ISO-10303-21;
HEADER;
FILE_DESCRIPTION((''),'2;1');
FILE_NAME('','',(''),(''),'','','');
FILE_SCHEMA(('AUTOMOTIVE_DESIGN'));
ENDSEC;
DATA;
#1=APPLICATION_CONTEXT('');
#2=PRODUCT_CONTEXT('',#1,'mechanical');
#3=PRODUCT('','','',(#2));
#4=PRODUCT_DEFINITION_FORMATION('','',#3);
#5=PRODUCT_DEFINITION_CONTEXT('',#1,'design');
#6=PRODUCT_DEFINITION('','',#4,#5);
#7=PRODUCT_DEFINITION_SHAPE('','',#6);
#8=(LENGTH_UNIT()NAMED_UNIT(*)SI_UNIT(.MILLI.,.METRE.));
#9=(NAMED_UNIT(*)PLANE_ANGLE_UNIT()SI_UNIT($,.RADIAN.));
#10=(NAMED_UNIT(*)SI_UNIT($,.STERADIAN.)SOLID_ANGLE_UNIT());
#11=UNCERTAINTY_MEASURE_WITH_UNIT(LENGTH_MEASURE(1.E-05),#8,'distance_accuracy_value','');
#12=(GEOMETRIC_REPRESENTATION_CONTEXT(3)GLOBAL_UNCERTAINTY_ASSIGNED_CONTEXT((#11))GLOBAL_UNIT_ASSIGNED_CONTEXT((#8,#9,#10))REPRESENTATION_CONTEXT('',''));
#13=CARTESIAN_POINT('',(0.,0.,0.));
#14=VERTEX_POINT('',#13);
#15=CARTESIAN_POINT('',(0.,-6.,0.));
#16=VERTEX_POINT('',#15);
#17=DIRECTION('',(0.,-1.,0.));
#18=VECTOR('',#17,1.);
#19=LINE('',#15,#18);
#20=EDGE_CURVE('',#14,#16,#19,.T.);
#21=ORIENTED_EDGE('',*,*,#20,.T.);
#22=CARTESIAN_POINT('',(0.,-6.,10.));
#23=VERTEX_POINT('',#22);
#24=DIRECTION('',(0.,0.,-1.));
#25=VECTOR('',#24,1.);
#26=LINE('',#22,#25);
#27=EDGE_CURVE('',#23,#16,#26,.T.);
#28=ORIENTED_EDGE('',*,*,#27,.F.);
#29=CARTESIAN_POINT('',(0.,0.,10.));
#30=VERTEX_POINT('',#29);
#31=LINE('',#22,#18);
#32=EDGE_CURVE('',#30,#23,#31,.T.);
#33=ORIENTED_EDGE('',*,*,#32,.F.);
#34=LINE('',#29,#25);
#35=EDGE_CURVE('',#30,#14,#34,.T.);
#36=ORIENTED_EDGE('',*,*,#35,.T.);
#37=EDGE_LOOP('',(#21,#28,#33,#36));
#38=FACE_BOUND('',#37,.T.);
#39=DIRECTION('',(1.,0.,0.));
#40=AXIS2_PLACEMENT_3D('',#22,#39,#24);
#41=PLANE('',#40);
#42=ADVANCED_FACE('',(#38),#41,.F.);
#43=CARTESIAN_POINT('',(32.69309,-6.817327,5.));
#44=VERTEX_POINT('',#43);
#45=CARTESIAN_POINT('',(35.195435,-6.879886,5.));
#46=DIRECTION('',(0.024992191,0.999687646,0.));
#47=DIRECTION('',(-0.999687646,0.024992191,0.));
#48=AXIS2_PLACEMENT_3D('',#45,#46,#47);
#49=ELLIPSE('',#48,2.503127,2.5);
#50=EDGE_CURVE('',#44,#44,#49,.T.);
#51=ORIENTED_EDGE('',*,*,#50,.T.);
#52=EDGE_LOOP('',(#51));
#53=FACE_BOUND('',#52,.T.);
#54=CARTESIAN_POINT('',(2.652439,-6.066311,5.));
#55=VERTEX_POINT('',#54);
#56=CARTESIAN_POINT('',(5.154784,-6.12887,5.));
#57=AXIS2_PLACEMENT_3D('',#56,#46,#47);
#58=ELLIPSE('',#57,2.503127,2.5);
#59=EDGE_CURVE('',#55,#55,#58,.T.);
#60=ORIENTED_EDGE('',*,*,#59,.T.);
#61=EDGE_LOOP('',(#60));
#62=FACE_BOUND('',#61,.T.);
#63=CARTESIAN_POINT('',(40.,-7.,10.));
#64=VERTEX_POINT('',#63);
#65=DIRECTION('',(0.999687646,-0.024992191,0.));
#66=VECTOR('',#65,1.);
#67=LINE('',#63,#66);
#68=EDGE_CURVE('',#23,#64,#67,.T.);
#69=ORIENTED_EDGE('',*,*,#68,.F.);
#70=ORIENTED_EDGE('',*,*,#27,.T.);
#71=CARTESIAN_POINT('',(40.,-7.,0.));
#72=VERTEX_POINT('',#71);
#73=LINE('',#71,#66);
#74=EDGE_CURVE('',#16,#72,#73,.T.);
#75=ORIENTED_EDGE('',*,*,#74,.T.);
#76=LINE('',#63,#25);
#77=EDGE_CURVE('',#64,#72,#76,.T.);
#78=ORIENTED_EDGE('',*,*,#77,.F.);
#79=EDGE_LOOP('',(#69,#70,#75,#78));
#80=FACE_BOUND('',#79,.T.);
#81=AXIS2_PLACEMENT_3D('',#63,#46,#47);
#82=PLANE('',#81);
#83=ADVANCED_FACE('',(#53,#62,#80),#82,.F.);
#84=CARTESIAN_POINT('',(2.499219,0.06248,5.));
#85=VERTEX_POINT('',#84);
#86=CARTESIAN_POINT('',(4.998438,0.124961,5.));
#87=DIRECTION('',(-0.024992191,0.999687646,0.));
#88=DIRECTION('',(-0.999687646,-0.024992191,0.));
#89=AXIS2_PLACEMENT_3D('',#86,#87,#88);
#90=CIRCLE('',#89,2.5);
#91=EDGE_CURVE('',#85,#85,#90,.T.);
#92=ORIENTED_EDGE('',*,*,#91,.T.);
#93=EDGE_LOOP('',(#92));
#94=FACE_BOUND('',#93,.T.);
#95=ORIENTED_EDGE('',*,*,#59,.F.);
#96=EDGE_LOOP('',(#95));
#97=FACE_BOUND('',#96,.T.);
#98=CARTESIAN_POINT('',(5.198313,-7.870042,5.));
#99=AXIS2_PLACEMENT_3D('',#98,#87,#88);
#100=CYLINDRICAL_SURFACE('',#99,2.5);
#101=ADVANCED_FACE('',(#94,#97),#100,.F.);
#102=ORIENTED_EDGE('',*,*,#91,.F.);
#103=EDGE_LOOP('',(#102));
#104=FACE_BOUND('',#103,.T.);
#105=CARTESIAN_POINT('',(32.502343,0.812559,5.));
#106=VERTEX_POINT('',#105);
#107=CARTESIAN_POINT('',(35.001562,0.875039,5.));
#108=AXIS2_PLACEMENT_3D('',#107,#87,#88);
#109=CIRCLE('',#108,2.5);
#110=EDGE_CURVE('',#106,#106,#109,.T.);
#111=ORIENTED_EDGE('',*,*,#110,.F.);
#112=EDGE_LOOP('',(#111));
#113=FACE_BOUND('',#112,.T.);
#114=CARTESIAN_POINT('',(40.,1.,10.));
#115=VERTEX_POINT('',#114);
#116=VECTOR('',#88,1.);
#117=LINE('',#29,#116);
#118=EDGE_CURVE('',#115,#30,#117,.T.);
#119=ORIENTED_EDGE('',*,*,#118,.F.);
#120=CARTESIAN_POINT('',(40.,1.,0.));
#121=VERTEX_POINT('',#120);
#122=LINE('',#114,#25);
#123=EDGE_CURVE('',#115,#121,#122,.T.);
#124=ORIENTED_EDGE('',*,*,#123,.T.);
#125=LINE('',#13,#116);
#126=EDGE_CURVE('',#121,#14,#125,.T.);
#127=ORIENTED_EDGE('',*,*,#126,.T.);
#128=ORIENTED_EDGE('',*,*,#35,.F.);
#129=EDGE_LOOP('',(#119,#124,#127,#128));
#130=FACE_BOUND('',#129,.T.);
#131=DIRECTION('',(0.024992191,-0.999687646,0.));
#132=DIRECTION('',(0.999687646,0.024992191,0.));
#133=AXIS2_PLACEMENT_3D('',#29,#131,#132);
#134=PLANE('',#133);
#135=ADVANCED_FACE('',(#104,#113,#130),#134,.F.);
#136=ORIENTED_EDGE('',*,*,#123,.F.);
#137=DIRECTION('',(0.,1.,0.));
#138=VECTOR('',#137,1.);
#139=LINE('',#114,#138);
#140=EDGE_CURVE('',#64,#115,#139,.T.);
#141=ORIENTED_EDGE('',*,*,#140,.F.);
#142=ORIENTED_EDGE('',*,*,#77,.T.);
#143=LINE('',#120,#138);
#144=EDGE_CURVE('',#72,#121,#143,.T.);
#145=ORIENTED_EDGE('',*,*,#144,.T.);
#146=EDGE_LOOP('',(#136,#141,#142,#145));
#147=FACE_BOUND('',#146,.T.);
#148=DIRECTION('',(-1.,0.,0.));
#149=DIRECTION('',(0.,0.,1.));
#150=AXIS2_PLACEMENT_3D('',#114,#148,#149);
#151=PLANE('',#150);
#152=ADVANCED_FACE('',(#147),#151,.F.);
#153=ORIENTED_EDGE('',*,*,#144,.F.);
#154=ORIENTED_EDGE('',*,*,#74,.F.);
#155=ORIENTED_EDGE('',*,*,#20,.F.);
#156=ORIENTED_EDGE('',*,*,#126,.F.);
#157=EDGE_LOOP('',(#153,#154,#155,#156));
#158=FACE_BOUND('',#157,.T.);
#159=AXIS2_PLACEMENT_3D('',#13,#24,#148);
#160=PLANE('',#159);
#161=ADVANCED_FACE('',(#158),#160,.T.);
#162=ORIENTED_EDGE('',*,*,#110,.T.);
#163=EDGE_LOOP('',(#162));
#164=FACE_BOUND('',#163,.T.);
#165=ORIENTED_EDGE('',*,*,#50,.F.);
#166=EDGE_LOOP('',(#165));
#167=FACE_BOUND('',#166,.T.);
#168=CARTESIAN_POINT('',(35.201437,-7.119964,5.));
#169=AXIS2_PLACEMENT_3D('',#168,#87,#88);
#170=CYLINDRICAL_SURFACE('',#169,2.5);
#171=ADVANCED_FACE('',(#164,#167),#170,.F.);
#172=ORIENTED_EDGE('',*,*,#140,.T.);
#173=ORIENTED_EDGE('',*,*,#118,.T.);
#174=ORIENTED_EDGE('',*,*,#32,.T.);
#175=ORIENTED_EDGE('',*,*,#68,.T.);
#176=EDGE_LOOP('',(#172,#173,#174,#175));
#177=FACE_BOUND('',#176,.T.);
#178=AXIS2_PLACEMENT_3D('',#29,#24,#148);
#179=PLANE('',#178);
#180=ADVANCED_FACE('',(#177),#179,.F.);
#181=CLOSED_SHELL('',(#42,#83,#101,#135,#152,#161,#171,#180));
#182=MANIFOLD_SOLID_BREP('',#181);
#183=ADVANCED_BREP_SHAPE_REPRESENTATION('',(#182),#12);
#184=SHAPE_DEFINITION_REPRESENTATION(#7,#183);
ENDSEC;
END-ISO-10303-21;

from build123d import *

# Parameters (mm, degrees)
BOSS_EXTRU_1_DEPTH      = 10
ESQUISSE2_R             = 2.5
ENL_V_MAT_EXTRU_1_DEPTH = 42.821047333


with BuildPart() as part:
    # Esquisse1 → Boss.-Extru.1 (new body)
    with BuildSketch(Plane.XY):
        Polygon((0, 0), (40, 1), (40, -7), (0, -6), align=None)
    extrude(amount=BOSS_EXTRU_1_DEPTH)

    # Esquisse2 → Enlèv. mat.-Extru.1 (cut, through all)
    with BuildSketch(Plane(origin=(0, 0, 0), x_dir=(0.9996876464081228, 0.024992191160203233, 0), z_dir=(-0.02499219116020323, 0.9996876464081227, 0))):
        with Locations(Location((5, -5, 0), (0, 0, 180))):
            Circle(ESQUISSE2_R)
        with Locations(Location((35.012498047, -5, 0), (0, 0, 180))):
            Circle(ESQUISSE2_R)
    extrude(amount=-ENL_V_MAT_EXTRU_1_DEPTH, mode=Mode.SUBTRACT)


solid = part.part
